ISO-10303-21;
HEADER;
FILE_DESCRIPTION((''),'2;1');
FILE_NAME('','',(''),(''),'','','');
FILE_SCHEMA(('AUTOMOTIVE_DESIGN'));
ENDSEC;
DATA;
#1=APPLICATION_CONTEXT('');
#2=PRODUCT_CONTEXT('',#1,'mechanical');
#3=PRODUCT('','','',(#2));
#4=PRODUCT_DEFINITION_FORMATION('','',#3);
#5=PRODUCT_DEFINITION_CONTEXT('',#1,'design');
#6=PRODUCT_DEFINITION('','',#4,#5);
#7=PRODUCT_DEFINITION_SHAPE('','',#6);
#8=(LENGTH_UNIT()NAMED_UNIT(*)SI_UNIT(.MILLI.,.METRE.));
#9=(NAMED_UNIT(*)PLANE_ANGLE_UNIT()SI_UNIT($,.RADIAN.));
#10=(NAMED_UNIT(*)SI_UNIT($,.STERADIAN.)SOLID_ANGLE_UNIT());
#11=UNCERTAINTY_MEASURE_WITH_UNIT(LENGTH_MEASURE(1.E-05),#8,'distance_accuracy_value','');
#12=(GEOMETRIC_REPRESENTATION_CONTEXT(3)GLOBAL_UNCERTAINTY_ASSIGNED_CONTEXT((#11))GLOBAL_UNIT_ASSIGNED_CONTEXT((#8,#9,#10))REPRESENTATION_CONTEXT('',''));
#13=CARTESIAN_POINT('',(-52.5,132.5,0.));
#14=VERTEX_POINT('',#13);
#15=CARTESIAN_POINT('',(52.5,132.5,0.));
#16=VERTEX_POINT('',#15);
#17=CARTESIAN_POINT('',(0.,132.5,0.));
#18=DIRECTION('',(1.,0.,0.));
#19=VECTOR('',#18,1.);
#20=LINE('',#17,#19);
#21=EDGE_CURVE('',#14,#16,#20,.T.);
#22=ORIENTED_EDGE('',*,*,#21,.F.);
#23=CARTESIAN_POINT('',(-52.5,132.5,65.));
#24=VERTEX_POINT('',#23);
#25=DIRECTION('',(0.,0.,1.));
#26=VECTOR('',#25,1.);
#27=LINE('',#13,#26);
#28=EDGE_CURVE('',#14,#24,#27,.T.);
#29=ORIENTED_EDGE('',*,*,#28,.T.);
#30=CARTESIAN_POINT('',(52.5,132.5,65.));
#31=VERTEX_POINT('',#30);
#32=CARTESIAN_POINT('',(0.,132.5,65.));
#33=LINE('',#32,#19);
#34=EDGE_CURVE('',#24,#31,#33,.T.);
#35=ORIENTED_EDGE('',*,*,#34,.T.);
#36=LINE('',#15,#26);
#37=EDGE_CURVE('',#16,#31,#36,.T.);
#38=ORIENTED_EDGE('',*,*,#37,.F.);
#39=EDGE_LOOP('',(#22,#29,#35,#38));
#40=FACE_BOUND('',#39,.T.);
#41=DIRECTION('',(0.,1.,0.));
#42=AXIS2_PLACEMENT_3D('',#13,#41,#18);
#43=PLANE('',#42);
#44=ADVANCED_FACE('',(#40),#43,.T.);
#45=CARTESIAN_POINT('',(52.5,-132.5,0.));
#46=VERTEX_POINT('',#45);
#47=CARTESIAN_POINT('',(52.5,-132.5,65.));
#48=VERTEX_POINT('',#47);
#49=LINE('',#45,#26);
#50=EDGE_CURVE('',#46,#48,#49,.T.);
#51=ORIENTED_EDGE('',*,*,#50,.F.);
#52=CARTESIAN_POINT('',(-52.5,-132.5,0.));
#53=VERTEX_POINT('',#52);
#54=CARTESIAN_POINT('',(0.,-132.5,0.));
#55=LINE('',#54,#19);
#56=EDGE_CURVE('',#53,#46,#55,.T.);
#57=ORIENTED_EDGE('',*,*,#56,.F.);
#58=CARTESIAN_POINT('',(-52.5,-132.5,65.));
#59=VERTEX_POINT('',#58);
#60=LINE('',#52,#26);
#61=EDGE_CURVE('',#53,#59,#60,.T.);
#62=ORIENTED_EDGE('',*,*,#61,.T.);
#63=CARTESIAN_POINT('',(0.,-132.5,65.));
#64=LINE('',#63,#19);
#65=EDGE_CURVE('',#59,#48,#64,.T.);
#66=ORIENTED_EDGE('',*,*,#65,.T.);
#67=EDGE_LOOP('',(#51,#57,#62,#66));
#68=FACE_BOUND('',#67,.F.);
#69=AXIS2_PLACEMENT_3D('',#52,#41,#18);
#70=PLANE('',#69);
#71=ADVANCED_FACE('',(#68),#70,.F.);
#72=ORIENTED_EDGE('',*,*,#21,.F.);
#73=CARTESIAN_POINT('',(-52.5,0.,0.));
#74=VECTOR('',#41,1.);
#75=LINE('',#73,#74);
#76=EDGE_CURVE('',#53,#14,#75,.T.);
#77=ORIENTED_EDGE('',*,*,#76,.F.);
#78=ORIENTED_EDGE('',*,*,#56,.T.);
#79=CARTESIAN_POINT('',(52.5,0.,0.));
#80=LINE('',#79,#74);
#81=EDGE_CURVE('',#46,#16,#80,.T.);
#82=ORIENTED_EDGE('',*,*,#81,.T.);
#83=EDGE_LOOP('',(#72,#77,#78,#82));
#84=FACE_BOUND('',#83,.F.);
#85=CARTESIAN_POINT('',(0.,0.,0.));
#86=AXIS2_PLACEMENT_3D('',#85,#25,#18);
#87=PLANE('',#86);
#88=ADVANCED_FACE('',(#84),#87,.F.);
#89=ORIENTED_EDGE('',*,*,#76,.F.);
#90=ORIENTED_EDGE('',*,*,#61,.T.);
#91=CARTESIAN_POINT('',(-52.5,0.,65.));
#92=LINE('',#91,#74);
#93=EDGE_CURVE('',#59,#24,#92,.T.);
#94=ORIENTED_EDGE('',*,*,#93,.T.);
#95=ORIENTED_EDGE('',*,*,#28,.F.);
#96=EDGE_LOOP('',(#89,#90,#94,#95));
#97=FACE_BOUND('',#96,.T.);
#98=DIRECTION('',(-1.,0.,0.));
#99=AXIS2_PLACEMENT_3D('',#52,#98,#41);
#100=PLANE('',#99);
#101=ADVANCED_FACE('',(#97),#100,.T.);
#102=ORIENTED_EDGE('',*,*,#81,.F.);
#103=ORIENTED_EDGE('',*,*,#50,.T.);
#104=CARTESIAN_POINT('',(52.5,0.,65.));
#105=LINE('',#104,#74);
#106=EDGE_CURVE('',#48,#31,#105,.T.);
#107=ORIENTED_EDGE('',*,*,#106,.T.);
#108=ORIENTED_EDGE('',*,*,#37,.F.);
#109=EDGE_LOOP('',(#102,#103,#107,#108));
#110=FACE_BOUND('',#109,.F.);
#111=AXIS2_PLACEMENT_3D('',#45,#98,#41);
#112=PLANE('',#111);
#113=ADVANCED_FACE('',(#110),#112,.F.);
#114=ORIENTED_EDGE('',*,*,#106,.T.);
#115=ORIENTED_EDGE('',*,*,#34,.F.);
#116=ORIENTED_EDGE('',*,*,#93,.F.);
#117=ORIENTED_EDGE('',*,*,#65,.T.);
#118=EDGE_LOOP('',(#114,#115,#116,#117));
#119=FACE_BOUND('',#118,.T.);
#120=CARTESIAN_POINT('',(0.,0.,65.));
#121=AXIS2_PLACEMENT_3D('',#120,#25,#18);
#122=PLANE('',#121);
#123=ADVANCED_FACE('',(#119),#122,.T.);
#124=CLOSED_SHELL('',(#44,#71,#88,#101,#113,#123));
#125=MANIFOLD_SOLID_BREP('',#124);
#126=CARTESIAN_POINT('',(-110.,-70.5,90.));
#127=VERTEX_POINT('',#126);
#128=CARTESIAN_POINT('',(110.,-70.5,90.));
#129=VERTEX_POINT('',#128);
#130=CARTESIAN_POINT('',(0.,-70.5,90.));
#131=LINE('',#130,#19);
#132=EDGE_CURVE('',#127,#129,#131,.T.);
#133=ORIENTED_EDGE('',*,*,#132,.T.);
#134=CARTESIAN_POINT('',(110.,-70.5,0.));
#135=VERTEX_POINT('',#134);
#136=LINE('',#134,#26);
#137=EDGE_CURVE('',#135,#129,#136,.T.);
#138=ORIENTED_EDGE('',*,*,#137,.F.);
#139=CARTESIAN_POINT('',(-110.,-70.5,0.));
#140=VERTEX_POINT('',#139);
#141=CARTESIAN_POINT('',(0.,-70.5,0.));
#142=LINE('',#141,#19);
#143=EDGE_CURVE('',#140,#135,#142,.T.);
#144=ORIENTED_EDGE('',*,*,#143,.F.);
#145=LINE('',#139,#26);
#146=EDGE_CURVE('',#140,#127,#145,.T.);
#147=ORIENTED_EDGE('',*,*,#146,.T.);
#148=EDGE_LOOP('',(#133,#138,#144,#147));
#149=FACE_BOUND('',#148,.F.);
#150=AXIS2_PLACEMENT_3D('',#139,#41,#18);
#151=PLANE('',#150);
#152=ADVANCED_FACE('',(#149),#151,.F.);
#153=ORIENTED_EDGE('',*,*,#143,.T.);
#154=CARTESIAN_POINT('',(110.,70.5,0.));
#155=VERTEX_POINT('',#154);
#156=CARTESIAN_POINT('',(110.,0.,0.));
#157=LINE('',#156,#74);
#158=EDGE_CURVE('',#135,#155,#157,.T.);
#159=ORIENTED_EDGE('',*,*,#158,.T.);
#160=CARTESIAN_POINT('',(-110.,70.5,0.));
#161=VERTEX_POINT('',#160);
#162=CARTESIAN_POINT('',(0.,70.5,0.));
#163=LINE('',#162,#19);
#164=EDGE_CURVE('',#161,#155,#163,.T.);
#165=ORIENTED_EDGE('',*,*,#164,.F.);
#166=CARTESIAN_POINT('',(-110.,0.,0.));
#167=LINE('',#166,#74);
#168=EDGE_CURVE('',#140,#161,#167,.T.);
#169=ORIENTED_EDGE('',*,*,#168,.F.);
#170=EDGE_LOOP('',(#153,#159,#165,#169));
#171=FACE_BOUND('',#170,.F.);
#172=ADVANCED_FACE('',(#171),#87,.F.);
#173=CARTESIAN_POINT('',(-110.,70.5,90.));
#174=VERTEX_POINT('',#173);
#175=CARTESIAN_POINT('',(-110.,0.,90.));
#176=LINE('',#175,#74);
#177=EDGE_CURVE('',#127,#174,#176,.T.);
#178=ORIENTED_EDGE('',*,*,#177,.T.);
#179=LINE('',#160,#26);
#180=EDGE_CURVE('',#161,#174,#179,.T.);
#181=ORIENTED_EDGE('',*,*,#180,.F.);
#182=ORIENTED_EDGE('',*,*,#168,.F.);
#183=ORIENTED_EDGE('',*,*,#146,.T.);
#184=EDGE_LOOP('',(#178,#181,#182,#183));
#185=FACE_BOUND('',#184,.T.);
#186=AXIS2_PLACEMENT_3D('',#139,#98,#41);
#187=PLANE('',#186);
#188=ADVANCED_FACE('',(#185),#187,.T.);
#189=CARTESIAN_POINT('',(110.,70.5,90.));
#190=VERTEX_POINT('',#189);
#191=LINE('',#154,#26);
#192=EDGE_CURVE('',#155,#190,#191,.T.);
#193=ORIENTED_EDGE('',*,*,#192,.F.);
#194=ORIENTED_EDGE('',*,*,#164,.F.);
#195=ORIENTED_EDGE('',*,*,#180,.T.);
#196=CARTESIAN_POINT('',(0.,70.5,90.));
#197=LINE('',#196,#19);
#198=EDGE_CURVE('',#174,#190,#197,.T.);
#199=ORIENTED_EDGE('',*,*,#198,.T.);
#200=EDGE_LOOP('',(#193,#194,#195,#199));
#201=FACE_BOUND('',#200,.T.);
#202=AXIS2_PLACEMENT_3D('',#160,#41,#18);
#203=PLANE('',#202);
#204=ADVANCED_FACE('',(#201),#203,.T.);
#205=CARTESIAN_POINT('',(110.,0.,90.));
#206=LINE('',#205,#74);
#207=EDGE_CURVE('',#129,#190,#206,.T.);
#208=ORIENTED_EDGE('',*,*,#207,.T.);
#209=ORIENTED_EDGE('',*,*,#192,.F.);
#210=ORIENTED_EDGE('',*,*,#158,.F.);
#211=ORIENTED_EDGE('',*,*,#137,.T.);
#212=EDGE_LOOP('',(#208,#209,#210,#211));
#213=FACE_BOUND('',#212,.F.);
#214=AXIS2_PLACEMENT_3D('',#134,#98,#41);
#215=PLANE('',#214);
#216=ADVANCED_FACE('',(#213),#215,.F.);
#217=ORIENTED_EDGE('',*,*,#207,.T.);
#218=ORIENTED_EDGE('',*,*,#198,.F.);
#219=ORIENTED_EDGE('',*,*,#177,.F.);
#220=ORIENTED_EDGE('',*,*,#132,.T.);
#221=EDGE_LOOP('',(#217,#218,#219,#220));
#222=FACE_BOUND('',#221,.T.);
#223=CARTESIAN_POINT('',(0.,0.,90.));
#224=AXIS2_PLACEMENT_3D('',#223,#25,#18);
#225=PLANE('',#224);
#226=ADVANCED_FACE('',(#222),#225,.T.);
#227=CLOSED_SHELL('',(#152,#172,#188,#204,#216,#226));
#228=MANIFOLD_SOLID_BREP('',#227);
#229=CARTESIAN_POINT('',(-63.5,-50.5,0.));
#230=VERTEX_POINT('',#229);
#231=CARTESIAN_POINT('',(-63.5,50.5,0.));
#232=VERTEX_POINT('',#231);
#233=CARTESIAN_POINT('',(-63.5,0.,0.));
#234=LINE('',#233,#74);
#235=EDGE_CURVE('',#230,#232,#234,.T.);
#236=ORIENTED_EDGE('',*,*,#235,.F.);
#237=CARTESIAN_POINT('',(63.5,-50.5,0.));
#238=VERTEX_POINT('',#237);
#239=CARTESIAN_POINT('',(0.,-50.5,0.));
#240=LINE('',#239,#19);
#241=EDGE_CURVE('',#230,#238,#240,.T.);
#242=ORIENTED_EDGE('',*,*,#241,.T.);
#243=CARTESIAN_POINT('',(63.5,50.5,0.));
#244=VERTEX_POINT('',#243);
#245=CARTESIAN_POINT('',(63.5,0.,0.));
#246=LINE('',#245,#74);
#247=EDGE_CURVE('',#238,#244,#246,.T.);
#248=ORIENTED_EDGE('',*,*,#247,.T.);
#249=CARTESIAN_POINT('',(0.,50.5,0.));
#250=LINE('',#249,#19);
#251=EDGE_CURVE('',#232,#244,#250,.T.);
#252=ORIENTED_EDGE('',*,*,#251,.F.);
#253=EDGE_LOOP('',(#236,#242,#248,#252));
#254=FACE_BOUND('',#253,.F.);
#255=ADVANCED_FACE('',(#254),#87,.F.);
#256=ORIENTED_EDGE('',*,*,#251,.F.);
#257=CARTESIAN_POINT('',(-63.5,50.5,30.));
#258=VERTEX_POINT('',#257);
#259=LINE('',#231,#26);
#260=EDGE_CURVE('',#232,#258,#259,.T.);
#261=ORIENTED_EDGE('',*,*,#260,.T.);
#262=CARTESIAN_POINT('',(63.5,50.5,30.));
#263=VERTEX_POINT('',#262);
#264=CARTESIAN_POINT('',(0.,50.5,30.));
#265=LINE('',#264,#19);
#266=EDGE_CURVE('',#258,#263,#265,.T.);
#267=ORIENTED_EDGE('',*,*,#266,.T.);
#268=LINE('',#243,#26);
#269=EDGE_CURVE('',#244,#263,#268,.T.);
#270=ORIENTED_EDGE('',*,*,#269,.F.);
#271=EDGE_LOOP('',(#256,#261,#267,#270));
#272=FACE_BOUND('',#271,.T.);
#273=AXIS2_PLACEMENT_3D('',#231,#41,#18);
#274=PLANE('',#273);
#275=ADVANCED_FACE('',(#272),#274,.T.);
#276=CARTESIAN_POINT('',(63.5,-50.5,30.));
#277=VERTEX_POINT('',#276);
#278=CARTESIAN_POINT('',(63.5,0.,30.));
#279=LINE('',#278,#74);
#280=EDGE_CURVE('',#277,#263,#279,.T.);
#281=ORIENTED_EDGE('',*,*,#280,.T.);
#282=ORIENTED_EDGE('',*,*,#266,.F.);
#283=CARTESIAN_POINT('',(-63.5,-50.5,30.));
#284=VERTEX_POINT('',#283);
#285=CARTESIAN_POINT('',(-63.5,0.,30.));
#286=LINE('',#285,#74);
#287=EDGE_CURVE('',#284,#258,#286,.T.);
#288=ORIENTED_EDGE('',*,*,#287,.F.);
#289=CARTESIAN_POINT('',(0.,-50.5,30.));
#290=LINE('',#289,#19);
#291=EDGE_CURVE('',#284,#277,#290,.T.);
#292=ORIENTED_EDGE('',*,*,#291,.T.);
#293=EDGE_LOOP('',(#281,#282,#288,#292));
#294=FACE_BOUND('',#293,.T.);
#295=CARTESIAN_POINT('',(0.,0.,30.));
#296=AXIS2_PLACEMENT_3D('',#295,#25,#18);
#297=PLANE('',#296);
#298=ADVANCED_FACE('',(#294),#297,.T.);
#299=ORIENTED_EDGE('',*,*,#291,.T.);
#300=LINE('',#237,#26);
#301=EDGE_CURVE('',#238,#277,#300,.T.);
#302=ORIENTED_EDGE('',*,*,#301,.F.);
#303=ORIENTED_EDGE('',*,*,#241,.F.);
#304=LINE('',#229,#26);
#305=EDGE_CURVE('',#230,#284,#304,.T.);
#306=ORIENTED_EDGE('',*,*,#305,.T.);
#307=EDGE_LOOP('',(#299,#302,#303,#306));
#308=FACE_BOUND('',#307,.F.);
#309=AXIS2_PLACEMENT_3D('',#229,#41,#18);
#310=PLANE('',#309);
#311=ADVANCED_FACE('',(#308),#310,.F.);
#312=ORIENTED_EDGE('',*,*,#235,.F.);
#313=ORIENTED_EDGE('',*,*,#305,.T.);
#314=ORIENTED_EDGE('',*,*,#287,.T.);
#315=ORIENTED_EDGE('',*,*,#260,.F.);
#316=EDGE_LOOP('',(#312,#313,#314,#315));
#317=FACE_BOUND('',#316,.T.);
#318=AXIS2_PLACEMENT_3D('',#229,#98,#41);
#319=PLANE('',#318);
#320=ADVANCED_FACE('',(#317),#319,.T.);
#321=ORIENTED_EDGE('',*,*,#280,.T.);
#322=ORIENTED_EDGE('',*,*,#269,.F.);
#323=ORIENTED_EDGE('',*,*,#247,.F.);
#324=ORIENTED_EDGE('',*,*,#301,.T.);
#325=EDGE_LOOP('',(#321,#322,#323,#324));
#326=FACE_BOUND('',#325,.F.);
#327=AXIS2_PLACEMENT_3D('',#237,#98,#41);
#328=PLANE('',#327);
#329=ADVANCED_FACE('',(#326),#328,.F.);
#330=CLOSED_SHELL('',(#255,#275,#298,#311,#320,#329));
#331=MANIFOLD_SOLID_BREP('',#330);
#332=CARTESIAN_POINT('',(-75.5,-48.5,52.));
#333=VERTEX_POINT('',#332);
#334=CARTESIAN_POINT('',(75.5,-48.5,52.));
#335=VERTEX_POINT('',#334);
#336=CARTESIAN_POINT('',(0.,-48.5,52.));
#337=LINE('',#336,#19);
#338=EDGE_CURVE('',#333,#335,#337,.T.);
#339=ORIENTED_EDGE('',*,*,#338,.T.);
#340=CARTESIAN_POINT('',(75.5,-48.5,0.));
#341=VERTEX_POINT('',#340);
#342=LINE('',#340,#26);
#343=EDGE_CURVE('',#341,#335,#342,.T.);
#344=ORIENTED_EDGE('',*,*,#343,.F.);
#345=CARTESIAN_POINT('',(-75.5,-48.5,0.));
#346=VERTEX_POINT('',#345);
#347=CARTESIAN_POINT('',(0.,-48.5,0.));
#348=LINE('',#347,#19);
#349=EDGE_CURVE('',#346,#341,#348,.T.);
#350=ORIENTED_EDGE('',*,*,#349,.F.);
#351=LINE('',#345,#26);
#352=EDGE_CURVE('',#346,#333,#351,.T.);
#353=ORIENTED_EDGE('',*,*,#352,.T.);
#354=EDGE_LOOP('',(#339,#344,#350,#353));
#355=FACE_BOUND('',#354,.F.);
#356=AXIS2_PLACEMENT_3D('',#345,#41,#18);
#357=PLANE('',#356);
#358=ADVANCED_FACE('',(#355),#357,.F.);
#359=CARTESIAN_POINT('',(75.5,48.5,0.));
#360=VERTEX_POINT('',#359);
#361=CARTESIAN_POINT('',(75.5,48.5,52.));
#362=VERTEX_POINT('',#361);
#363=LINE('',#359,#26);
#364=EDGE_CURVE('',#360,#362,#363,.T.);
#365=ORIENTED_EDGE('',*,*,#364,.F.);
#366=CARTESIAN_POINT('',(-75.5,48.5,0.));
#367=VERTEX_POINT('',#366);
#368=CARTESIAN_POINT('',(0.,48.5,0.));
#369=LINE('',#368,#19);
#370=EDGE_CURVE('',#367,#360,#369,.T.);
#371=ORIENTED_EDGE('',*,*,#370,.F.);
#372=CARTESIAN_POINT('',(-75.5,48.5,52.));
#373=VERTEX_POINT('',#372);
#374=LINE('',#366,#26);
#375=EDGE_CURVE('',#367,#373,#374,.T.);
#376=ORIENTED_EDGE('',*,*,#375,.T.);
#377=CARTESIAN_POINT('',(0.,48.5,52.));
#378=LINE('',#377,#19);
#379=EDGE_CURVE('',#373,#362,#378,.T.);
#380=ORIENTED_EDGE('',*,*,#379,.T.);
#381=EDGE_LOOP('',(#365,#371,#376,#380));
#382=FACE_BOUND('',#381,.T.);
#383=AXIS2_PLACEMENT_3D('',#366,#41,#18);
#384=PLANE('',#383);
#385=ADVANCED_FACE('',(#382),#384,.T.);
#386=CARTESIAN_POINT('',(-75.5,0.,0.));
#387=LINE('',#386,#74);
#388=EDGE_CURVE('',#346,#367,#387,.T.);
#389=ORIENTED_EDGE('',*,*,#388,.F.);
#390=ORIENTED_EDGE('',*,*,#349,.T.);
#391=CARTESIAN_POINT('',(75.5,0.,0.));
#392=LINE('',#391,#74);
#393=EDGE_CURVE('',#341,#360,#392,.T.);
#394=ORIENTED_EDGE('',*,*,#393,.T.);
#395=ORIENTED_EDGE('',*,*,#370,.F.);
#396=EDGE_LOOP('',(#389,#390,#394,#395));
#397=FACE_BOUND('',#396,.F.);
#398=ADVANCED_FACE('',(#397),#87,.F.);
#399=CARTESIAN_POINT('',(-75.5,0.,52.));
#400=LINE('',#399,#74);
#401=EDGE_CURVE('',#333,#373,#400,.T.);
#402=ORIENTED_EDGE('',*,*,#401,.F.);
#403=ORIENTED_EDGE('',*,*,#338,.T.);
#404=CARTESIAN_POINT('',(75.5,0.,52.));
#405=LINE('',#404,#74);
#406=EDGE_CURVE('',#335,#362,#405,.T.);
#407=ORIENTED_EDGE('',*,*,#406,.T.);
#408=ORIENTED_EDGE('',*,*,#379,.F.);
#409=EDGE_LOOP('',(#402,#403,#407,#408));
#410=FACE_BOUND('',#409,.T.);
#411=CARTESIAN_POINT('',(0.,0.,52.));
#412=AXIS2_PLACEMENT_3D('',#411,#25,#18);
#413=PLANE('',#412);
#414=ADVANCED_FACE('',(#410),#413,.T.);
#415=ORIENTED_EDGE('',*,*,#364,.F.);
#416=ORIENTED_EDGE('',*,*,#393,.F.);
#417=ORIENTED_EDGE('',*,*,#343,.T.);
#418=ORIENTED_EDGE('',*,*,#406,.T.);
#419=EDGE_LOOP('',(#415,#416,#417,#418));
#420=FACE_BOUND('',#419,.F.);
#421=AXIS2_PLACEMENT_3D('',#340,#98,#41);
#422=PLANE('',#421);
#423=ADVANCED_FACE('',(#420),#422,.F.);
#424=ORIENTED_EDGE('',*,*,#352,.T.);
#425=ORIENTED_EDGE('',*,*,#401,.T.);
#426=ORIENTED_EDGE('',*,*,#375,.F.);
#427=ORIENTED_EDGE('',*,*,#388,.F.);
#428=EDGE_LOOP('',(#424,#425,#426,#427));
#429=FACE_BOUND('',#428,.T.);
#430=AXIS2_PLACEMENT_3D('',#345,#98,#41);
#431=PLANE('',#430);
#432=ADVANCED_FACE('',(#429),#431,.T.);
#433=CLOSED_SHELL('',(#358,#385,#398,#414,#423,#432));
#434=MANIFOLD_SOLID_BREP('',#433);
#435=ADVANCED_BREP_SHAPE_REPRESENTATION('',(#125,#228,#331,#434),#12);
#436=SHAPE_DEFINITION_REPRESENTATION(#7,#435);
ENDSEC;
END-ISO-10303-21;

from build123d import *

# Parameters (mm, degrees)
F0_W     = 105
F0_H     = 265
F1_DEPTH = 65
F2_W     = 151
F2_H     = 97
F3_DEPTH = 52
F4_W     = 220
F4_H     = 141
F5_DEPTH = 90
F6_W     = 127
F6_H     = 101
F7_DEPTH = 30


with BuildPart() as f1:
    # F0 (on Top) → F1 (new body)
    with BuildSketch(Plane.XY):
        Rectangle(F0_W, F0_H)
    extrude(amount=F1_DEPTH)


with BuildPart() as f3:
    # F2 (on Top) → F3 (new body)
    with BuildSketch(Plane.XY):
        Rectangle(F2_W, F2_H)
    extrude(amount=F3_DEPTH)


with BuildPart() as f5:
    # F4 (on Top) → F5 (new body)
    with BuildSketch(Plane.XY):
        Rectangle(F4_W, F4_H)
    extrude(amount=F5_DEPTH)


with BuildPart() as f7:
    # F6 (on Top) → F7 (new body)
    with BuildSketch(Plane.XY):
        Rectangle(F6_W, F6_H)
    extrude(amount=F7_DEPTH)


solid = Compound([f1.part, f3.part, f5.part, f7.part])
